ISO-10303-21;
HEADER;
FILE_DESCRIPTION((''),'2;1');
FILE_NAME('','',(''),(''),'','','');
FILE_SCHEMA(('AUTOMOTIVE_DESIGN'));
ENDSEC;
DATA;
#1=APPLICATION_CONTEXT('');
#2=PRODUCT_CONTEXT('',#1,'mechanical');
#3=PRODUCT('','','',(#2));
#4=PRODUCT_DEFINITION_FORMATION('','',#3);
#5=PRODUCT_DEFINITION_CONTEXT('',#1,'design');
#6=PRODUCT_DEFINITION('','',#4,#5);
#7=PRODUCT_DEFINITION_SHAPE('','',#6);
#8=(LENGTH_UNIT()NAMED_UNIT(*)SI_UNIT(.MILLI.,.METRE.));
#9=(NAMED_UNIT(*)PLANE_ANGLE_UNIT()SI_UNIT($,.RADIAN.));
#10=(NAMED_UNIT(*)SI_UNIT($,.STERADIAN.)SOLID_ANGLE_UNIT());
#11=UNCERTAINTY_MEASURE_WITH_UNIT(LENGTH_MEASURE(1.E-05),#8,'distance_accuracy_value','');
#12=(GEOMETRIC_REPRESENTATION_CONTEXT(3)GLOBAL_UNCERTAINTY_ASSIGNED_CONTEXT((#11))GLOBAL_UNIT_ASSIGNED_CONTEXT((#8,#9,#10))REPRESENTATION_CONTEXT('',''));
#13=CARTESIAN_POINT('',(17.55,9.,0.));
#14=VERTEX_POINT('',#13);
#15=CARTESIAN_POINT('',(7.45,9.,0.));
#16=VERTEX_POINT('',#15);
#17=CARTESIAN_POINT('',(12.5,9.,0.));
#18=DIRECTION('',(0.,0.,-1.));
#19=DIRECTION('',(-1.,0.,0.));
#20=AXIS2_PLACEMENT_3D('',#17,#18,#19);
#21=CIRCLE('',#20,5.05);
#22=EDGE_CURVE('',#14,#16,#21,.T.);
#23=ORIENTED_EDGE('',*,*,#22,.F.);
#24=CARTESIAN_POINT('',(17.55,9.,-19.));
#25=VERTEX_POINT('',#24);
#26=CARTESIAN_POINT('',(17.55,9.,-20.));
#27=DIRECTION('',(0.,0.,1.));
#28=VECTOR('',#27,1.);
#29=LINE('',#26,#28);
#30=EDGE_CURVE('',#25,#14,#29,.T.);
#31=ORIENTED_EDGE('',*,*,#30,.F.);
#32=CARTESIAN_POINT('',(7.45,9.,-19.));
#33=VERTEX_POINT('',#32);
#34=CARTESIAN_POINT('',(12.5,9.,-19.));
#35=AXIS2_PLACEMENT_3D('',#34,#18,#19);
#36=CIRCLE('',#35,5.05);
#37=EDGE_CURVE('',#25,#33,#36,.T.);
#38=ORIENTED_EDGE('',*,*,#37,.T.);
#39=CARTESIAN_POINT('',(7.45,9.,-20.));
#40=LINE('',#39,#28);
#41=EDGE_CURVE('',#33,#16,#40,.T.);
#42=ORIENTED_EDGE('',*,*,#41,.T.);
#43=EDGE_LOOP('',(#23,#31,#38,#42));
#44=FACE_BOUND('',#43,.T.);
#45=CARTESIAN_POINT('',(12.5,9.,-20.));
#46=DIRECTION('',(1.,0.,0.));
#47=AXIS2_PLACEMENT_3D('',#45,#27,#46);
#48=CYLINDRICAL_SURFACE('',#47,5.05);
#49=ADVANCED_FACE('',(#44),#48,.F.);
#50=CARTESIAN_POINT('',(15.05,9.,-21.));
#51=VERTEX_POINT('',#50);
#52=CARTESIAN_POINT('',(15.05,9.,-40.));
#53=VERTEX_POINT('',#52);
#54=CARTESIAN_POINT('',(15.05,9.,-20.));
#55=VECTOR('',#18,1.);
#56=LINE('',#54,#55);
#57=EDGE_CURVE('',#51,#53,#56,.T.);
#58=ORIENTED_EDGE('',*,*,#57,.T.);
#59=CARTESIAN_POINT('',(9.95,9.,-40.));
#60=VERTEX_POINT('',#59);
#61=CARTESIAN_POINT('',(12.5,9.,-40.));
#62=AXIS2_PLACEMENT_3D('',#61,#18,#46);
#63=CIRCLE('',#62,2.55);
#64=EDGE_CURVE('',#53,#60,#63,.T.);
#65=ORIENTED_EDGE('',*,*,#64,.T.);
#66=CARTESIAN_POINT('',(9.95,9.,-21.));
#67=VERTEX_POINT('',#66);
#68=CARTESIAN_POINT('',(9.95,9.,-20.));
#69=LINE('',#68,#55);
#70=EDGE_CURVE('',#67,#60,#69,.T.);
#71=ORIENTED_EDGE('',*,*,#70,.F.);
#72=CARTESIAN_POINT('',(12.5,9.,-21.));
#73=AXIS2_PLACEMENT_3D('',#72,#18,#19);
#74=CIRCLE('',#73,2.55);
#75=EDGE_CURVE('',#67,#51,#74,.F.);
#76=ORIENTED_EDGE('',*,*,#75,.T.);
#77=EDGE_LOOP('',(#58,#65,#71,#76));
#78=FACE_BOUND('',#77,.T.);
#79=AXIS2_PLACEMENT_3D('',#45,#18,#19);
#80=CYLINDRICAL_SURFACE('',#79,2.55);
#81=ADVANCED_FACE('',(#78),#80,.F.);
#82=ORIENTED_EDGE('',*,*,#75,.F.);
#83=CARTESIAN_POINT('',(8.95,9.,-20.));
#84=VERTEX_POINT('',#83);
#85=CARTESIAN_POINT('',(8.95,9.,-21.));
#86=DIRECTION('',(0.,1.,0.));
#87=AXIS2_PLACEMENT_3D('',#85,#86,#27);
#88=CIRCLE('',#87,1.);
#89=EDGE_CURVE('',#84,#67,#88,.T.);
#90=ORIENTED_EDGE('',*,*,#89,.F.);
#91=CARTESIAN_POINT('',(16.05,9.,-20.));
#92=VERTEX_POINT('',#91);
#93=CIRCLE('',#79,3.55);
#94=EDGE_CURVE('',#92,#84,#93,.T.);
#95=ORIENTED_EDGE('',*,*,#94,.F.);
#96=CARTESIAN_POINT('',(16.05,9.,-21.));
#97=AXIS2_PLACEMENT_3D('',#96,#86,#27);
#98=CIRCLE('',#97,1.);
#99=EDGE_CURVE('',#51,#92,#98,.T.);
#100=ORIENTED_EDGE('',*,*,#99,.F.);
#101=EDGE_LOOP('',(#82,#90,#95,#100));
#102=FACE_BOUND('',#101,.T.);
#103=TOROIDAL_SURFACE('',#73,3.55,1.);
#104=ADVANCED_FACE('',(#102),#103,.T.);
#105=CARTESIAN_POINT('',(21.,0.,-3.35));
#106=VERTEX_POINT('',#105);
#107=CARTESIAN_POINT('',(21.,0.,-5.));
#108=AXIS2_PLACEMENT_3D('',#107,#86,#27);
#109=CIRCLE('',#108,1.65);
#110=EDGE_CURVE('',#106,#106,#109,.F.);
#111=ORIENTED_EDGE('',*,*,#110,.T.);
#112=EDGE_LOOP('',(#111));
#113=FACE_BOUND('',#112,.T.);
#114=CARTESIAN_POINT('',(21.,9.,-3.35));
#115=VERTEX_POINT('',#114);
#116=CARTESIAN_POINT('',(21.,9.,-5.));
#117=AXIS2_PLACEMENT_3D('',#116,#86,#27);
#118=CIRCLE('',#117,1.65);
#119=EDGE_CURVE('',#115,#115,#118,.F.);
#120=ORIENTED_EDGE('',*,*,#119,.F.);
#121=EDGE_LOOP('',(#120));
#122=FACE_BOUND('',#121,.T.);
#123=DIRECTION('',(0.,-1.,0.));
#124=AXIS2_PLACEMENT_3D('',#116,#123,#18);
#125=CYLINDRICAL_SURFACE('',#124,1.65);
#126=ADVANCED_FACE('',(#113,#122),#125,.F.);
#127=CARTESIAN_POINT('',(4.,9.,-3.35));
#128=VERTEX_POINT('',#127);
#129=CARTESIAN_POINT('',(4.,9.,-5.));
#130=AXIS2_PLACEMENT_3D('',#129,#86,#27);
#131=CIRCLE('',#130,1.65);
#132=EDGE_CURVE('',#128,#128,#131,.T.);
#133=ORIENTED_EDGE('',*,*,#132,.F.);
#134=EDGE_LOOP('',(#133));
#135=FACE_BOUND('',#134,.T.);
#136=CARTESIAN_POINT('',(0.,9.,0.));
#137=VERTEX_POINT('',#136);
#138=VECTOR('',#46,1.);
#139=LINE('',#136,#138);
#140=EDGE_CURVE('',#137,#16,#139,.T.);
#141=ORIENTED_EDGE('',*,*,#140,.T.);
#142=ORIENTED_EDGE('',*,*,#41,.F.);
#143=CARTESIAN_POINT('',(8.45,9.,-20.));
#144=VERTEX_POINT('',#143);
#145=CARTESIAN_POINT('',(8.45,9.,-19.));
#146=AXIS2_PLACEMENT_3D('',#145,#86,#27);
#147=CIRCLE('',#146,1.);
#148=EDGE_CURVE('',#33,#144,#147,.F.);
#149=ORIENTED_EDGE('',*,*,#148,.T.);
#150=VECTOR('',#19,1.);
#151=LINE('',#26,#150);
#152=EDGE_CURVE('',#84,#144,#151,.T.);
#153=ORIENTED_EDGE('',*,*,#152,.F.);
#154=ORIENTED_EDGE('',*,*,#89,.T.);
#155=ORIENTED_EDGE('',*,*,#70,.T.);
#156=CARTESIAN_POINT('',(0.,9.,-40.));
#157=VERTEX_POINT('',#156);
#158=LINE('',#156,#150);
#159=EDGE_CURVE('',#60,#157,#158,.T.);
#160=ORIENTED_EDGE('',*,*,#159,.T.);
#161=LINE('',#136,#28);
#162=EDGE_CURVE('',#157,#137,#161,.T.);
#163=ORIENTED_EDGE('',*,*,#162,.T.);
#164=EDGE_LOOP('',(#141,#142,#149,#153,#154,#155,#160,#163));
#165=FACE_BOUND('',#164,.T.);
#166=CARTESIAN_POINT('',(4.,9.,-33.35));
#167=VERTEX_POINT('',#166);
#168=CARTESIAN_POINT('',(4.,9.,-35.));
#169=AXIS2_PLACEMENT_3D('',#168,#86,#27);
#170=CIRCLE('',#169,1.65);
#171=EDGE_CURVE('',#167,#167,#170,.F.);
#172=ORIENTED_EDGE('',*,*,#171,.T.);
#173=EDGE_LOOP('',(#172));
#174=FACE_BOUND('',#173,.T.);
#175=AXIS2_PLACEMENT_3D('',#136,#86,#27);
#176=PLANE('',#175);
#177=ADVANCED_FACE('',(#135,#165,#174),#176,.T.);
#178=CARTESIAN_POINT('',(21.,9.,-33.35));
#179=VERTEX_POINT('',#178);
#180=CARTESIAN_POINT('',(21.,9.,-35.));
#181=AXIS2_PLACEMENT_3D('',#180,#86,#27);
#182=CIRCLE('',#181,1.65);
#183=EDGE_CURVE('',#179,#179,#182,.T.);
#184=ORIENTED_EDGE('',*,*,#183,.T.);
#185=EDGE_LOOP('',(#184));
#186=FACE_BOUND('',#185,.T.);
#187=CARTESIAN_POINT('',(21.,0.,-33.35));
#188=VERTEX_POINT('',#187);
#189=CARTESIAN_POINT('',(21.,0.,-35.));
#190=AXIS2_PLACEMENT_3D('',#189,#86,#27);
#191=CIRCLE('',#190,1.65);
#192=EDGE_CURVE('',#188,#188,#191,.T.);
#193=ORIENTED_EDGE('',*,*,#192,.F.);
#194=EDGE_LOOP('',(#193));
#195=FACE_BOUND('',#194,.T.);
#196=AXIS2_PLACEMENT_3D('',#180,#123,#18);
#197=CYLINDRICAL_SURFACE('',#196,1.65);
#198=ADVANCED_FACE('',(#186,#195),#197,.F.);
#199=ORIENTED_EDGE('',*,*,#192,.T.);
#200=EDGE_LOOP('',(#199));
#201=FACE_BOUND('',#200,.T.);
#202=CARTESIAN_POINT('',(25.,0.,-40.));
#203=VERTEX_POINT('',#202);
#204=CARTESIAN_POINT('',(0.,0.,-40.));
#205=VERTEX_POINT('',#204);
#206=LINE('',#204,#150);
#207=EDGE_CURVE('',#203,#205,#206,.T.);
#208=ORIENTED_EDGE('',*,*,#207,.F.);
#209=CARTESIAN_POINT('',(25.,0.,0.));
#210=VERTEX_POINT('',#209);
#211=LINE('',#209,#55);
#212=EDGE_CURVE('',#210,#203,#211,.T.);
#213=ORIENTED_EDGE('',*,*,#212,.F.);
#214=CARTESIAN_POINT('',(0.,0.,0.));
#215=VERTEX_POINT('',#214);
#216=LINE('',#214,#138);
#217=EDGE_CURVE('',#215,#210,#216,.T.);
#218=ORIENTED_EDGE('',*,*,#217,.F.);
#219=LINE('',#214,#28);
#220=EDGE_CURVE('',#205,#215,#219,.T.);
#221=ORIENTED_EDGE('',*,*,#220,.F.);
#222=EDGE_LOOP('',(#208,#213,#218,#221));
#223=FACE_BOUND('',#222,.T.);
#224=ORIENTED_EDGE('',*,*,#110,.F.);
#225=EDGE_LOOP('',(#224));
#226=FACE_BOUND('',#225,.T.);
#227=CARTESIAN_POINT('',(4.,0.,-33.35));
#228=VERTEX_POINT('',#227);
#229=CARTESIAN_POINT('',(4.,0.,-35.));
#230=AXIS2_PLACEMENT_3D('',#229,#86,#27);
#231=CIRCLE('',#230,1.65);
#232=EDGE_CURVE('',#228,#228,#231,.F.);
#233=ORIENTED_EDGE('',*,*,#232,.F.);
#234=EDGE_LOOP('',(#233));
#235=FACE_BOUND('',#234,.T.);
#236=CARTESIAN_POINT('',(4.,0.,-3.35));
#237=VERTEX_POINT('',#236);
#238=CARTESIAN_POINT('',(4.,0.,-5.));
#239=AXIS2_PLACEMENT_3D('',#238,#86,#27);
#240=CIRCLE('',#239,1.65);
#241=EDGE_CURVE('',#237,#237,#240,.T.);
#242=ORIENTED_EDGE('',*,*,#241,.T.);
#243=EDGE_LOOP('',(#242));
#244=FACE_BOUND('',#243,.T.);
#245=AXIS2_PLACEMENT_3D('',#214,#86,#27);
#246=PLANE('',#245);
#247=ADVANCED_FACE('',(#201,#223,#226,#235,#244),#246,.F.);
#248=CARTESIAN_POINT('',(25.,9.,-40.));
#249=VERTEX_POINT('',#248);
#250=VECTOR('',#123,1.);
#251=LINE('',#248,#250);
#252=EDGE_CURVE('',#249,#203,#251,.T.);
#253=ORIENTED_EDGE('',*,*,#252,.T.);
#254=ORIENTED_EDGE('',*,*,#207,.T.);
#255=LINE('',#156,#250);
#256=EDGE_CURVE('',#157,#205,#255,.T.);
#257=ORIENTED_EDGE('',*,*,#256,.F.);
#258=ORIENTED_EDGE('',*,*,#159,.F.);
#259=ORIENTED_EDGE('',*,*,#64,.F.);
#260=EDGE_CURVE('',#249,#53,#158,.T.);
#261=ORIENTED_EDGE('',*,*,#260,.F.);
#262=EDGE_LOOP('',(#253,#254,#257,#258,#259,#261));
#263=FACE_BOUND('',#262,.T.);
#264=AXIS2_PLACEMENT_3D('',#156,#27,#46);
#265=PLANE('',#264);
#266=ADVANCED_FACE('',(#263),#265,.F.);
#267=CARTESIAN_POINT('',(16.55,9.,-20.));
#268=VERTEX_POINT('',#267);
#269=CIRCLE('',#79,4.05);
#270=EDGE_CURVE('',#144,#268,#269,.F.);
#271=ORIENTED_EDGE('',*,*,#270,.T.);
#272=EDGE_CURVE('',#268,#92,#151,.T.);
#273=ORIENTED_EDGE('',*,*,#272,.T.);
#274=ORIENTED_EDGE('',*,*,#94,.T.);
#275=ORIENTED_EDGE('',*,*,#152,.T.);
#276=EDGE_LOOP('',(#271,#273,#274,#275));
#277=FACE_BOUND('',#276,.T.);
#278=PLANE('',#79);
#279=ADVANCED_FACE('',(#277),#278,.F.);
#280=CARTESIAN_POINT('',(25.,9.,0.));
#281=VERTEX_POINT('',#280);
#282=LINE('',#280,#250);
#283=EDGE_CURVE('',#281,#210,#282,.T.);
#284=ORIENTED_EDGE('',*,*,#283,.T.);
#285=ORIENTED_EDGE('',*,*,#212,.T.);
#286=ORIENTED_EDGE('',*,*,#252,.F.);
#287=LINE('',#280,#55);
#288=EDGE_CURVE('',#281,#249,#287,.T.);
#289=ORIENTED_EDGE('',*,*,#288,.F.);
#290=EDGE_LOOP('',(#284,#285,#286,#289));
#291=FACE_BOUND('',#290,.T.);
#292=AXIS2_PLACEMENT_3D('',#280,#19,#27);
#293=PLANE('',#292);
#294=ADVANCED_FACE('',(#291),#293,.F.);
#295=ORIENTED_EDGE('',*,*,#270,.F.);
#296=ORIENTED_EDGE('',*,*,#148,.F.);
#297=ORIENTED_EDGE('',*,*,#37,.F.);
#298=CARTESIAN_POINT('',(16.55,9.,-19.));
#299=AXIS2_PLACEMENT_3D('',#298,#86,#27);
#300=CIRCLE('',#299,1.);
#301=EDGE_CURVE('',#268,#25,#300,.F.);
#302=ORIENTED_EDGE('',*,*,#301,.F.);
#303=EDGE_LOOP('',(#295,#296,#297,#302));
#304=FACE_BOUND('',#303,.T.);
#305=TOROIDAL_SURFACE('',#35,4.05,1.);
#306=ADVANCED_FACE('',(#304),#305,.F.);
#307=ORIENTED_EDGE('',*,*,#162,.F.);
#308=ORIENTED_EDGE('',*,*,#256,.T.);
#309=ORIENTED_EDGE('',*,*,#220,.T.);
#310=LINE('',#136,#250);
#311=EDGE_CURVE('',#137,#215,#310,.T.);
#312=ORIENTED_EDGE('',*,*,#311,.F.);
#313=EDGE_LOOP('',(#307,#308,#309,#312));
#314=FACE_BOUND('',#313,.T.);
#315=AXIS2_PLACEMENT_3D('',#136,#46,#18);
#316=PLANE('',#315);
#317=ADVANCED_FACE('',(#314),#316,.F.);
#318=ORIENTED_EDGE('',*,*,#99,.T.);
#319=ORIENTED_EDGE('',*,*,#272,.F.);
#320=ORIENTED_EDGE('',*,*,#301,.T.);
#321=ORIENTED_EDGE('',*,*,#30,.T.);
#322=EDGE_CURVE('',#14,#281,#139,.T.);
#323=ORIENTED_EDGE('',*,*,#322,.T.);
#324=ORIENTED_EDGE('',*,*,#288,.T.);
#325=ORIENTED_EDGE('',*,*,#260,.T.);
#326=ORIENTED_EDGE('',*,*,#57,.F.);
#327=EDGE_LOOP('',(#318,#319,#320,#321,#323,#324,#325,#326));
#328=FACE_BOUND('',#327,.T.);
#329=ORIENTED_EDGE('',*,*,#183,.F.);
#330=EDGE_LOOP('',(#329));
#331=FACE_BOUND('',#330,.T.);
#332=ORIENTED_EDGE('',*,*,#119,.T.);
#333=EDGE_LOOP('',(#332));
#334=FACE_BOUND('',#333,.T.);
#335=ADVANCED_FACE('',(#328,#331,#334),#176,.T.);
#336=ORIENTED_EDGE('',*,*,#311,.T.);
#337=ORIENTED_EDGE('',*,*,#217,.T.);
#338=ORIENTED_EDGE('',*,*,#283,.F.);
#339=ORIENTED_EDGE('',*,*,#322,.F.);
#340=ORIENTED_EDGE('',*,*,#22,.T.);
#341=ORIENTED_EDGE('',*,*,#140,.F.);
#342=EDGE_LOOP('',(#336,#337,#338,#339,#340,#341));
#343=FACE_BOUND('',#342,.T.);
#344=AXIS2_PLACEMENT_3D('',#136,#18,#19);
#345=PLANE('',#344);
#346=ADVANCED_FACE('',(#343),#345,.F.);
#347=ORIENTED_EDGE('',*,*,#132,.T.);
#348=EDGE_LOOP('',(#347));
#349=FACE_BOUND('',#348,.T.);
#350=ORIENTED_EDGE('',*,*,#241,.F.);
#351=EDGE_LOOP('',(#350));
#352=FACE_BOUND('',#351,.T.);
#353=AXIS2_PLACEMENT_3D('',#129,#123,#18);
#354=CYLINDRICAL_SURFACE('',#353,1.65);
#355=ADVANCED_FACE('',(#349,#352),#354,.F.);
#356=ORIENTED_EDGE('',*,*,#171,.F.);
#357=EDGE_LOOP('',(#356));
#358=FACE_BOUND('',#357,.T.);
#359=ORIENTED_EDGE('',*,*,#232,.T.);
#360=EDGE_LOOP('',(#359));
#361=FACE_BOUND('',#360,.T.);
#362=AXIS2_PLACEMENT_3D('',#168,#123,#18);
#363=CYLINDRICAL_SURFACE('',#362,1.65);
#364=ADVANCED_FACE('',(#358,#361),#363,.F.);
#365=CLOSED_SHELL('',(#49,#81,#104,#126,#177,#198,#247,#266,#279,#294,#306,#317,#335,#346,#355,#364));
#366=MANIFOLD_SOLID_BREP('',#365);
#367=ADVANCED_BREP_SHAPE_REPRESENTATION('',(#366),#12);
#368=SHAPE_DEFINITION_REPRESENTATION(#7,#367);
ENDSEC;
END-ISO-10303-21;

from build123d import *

# Parameters (mm, degrees)
SKIZZE1_W                       = 25
SKIZZE1_H                       = 40
SKIZZE1_R                       = 1.65
AUFSATZ_LINEAR_AUSTRAGEN1_DEPTH = 9
SCHNITT_LINEAR_AUSTRAGEN2_DEPTH = 20
SCHNITT_LINEAR_AUSTRAGEN3_DEPTH = 20
VERRUNDUNG1_R                   = 1


with BuildPart() as part:
    # Skizze1 → Aufsatz-Linear austragen1 (new body)
    with BuildSketch(Plane(origin=(0, 0, 0), x_dir=(1, 0, 0), z_dir=(0, 1, 0))):
        with Locations((12.5, 20)):
            Rectangle(SKIZZE1_W, SKIZZE1_H)
        with Locations(Location((4, 5, 0), (0, 0, 270))):
            Circle(SKIZZE1_R, mode=Mode.SUBTRACT)
        with Locations(Location((21, 5, 0), (0, 0, 270))):
            Circle(SKIZZE1_R, mode=Mode.SUBTRACT)
        with Locations(Location((21, 35, 0), (0, 0, 270))):
            Circle(SKIZZE1_R, mode=Mode.SUBTRACT)
        with Locations(Location((4, 35, 0), (0, 0, 270))):
            Circle(SKIZZE1_R, mode=Mode.SUBTRACT)
    extrude(amount=AUFSATZ_LINEAR_AUSTRAGEN1_DEPTH)

    # Skizze3 → Schnitt-Linear austragen2 (cut)
    with BuildSketch(Plane(origin=(0, 0, -40), x_dir=(-1, 0, 0), z_dir=(0, 0, -1))):
        with BuildLine():
            Line((-15.05, 9), (-9.95, 9))
            ThreePointArc((-9.95, 9), (-12.5, 6.45), (-15.05, 9))
        make_face()
    extrude(amount=-SCHNITT_LINEAR_AUSTRAGEN2_DEPTH, mode=Mode.SUBTRACT)

    # Skizze2 → Schnitt-Linear austragen3 (cut)
    with BuildSketch(Plane.XY):
        with BuildLine():
            Line((17.55, 9), (7.45, 9))
            ThreePointArc((7.45, 9), (12.5, 3.95), (17.55, 9))
        make_face()
    extrude(amount=-SCHNITT_LINEAR_AUSTRAGEN3_DEPTH, mode=Mode.SUBTRACT)

    # Verrundung1
    verrundung1_edges = [part.edges().sort_by_distance(p)[0] for p in [
        (12.5, 6.45, -20),
        (12.5, 3.95, -20),
    ]]
    fillet(verrundung1_edges, radius=VERRUNDUNG1_R)


solid = part.part
